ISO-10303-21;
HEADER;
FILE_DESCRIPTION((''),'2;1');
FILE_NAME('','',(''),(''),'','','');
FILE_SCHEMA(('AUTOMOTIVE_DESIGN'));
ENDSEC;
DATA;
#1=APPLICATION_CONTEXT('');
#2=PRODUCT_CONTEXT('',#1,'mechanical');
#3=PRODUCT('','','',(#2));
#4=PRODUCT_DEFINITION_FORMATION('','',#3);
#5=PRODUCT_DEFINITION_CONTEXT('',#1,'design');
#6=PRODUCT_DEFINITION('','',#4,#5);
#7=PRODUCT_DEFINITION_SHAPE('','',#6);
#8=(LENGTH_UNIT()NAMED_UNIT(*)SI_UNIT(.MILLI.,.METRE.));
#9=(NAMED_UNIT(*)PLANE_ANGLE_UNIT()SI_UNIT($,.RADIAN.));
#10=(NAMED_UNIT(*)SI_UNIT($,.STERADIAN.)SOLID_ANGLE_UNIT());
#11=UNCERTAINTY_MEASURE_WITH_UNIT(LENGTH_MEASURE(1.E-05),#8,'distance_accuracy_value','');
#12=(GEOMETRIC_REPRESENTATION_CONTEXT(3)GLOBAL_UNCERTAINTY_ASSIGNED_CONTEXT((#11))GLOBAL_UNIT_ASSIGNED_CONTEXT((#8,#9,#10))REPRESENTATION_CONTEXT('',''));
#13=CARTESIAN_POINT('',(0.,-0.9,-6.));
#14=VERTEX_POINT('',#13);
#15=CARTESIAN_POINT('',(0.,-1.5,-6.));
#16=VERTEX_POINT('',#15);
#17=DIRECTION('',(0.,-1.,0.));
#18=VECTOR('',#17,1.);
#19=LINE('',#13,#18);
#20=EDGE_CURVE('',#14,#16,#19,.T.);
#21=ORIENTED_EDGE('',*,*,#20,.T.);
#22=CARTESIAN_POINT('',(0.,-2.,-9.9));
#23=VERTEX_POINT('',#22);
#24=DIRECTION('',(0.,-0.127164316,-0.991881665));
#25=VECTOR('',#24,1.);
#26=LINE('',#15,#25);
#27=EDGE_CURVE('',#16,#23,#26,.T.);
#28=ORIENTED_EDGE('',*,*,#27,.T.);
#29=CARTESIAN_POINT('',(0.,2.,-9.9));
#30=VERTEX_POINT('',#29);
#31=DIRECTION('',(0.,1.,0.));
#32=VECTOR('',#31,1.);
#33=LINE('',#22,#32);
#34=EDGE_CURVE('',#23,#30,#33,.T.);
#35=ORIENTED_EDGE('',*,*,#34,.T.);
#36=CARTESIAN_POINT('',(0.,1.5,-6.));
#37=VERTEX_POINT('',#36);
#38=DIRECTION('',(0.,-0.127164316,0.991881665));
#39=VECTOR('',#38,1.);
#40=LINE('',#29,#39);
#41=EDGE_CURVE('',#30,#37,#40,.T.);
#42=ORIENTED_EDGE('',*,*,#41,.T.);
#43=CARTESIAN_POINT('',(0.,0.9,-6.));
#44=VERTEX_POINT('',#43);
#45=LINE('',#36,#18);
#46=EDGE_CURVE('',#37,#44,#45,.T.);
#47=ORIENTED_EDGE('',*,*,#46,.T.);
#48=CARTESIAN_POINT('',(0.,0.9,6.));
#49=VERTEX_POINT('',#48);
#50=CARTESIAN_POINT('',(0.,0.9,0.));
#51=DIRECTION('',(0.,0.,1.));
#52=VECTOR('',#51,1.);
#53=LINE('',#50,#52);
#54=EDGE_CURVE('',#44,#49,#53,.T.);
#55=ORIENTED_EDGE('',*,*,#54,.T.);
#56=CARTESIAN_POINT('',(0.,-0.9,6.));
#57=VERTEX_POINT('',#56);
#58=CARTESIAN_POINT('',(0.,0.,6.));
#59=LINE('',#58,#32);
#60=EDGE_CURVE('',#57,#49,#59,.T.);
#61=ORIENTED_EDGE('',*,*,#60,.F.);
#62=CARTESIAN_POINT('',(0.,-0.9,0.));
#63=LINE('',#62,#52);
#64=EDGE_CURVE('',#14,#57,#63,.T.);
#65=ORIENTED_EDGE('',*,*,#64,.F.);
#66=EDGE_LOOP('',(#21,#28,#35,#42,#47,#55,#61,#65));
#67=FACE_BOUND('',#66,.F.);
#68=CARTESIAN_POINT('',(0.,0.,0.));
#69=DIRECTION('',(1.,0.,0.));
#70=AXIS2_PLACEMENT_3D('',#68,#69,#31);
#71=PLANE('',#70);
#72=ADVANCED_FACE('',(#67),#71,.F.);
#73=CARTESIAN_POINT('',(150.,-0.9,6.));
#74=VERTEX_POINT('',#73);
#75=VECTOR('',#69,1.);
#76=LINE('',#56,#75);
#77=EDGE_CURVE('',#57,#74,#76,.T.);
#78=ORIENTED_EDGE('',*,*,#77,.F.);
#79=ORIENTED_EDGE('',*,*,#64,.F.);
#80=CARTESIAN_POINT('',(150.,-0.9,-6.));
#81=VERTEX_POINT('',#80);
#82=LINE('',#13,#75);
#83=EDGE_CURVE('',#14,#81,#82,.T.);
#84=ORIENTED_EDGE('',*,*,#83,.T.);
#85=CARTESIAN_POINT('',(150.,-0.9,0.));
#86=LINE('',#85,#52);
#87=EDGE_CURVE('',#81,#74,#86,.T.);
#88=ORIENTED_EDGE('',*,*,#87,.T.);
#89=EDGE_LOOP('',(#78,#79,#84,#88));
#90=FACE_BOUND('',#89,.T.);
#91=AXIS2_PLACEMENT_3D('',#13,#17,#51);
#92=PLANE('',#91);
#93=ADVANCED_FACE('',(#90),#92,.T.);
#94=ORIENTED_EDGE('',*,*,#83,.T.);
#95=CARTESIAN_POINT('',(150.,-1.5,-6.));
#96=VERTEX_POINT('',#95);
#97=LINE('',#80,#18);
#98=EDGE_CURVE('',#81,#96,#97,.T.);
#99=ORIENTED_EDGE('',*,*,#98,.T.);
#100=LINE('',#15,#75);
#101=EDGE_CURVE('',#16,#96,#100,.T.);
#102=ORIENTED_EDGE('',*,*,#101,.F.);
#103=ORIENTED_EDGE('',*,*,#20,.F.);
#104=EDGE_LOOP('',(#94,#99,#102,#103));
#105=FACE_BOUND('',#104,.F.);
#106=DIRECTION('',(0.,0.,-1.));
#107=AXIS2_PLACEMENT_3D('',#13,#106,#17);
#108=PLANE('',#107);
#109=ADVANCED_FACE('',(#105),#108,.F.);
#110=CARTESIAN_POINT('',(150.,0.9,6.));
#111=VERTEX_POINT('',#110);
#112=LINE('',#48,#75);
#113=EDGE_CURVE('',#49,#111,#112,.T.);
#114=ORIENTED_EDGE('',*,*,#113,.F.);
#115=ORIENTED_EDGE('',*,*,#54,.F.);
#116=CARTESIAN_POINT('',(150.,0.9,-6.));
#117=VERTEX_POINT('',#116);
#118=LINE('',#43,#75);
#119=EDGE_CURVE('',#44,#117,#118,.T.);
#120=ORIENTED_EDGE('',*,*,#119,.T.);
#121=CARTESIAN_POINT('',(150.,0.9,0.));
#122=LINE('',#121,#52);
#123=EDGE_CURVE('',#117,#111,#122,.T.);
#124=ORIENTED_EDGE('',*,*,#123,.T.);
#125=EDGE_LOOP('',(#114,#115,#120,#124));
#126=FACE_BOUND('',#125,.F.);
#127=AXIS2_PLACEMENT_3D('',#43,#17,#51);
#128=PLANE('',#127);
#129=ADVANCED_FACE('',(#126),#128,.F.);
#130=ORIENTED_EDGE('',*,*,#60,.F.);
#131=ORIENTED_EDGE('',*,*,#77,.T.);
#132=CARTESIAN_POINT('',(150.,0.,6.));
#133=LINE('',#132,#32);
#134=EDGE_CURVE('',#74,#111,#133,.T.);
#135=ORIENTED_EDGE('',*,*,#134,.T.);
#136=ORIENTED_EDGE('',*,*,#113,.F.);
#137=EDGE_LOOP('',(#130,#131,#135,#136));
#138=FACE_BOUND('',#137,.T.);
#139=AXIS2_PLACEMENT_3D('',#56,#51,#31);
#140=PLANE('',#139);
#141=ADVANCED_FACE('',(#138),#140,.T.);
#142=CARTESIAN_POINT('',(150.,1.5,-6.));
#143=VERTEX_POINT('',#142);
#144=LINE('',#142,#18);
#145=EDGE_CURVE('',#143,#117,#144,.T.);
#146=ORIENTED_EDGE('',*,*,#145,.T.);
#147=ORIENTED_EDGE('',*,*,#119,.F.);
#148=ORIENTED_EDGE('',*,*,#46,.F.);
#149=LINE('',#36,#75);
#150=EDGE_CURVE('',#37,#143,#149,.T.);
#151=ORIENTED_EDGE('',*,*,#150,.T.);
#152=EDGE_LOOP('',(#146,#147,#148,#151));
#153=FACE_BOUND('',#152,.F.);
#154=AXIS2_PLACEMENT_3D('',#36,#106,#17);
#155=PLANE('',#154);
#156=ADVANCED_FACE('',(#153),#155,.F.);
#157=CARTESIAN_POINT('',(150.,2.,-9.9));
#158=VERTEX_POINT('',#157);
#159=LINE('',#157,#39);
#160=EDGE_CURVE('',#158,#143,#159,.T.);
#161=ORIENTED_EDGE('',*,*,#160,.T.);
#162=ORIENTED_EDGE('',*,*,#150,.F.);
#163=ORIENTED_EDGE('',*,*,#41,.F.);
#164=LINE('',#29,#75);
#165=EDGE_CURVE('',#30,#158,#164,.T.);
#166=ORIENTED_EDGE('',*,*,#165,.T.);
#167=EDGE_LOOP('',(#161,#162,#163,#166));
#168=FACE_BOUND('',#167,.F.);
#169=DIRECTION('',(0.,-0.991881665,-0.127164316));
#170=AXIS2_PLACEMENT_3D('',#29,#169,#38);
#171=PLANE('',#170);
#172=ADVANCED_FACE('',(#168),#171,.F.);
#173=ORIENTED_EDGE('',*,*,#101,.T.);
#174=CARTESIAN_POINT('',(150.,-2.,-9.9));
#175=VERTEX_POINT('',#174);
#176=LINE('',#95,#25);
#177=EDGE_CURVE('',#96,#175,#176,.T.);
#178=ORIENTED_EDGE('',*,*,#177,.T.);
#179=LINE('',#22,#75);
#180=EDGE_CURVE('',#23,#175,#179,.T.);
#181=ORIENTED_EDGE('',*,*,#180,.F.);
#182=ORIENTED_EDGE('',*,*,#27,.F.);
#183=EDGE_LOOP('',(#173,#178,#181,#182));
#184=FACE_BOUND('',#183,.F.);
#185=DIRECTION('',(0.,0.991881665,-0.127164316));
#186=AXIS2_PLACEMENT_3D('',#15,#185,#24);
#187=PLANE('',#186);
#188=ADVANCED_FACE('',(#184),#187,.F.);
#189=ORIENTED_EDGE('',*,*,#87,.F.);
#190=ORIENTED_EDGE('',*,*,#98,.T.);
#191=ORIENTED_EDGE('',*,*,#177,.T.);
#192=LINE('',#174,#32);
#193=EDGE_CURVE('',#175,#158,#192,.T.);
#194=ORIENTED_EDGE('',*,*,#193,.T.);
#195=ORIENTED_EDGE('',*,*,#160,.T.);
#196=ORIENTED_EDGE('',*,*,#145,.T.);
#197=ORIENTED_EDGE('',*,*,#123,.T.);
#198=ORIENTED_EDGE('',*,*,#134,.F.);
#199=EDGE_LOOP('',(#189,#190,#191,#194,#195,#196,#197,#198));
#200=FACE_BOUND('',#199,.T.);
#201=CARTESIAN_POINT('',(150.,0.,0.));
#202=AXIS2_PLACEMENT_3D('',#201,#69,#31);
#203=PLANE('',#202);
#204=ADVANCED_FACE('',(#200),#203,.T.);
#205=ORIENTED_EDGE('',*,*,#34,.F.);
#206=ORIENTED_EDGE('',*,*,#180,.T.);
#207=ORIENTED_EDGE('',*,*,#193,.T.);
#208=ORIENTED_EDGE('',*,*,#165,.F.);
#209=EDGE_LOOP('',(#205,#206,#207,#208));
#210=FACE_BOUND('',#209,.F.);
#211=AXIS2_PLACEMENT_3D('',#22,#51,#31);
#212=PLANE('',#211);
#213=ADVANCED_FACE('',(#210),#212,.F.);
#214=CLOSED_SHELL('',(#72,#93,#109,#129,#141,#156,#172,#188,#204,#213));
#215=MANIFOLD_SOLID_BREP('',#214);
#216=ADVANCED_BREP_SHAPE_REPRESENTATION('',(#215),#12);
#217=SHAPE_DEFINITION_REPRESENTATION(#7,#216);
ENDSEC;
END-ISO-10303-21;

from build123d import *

# Parameters (mm, degrees)
F0_W     = 1.8
F0_H     = 12
F1_DEPTH = 150


with BuildPart() as f1:
    # F0 (on Right) → F1 (new body)
    with BuildSketch(Plane.YZ):
        Rectangle(F0_W, F0_H)
        Polygon((1.5, -6), (0.9, -6), (-0.9, -6), (-1.5, -6), (-2, -9.9), (2, -9.9), align=None)
    extrude(amount=F1_DEPTH)


solid = f1.part
